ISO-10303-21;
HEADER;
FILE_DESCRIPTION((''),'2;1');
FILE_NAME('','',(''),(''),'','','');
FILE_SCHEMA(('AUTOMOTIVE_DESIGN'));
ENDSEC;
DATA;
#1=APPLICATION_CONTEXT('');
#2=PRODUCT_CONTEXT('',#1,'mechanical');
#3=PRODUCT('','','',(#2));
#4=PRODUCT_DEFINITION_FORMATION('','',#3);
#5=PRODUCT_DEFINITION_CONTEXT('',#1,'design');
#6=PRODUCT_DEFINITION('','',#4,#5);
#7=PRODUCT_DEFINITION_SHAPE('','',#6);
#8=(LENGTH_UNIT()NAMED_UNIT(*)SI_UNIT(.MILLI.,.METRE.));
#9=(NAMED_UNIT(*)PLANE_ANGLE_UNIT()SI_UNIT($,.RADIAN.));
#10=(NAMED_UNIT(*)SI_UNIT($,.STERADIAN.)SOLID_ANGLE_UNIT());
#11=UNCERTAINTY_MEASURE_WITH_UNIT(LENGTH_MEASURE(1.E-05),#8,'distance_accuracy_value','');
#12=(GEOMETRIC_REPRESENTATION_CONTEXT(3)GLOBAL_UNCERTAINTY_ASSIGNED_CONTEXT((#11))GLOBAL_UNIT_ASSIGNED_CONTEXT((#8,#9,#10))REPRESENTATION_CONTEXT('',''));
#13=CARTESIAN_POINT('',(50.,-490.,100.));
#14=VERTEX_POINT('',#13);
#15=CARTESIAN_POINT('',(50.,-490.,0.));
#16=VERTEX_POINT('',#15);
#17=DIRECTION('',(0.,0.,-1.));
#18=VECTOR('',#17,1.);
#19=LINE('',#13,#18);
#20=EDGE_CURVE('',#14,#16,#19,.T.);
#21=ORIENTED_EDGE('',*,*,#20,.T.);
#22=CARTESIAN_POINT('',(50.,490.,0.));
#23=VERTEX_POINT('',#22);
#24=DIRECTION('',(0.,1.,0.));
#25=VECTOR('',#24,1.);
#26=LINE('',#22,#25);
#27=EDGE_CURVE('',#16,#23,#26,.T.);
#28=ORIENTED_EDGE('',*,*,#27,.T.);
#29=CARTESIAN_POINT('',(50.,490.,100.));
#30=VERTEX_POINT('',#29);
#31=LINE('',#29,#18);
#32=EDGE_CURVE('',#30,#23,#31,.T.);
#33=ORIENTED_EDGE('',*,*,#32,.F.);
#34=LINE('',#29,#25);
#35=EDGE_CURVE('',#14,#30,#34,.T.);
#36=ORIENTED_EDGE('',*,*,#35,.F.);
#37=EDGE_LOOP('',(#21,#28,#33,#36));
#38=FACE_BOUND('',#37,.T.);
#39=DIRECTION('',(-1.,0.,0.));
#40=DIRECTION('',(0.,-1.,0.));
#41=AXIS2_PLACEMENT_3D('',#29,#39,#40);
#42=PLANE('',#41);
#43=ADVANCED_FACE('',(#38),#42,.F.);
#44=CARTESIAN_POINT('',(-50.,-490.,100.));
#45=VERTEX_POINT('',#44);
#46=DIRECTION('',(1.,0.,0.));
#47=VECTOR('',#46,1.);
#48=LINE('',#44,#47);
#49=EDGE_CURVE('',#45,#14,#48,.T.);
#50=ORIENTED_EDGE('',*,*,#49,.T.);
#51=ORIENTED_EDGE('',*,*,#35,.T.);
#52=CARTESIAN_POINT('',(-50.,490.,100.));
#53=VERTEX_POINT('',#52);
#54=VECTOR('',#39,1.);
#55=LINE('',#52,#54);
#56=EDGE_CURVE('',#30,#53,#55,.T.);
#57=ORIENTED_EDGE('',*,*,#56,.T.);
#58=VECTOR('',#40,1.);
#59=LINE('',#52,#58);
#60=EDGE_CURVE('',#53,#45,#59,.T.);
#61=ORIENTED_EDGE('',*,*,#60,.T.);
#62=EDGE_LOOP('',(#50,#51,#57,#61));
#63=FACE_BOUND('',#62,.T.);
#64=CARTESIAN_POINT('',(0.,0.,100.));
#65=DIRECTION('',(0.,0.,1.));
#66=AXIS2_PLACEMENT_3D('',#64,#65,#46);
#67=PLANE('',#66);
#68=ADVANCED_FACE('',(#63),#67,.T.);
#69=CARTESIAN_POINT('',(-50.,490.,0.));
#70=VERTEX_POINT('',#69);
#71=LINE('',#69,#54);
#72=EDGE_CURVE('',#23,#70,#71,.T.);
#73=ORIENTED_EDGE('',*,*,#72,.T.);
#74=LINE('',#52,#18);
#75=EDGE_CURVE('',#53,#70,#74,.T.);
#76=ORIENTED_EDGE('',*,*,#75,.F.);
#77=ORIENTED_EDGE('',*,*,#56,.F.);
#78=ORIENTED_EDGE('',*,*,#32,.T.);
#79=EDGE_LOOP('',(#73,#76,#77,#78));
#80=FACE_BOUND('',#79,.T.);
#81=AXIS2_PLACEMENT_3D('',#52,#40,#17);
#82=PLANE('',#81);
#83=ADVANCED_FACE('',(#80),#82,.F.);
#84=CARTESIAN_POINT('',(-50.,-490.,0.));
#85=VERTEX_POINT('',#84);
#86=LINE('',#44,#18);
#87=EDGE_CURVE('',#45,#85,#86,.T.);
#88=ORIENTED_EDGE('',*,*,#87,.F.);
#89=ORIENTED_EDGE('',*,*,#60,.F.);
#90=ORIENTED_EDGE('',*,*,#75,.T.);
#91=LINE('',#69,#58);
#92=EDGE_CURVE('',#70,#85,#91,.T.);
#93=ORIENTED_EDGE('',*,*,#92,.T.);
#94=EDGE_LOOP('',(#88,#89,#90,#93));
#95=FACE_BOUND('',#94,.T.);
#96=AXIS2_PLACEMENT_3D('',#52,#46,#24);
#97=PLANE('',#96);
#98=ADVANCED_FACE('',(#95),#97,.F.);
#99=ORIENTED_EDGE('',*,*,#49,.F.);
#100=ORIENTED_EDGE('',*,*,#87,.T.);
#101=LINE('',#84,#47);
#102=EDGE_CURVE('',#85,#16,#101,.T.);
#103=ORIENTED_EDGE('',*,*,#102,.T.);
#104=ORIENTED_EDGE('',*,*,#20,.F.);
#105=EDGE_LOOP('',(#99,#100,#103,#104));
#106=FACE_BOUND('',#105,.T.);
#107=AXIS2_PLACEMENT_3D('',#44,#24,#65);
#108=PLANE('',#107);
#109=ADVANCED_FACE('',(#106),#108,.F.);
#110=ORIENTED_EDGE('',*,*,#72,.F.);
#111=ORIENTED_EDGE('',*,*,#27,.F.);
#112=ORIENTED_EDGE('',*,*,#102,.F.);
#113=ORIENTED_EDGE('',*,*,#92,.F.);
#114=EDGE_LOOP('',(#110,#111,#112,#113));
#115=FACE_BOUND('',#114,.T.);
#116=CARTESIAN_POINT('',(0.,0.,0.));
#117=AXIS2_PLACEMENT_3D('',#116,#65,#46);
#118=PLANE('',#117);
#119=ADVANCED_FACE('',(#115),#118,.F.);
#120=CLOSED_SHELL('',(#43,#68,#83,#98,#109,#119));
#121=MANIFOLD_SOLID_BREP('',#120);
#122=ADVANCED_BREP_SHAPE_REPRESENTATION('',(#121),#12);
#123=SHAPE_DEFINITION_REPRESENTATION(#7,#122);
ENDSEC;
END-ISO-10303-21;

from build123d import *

# Parameters (mm, degrees)
ESQUISSE1_W        = 100
ESQUISSE1_H        = 980
BOSS_EXTRU_1_DEPTH = 100


with BuildPart() as part:
    # Esquisse1 → Boss.-Extru.1 (new body)
    with BuildSketch(Plane.XY):
        Rectangle(ESQUISSE1_W, ESQUISSE1_H)
    extrude(amount=BOSS_EXTRU_1_DEPTH)


solid = part.part
